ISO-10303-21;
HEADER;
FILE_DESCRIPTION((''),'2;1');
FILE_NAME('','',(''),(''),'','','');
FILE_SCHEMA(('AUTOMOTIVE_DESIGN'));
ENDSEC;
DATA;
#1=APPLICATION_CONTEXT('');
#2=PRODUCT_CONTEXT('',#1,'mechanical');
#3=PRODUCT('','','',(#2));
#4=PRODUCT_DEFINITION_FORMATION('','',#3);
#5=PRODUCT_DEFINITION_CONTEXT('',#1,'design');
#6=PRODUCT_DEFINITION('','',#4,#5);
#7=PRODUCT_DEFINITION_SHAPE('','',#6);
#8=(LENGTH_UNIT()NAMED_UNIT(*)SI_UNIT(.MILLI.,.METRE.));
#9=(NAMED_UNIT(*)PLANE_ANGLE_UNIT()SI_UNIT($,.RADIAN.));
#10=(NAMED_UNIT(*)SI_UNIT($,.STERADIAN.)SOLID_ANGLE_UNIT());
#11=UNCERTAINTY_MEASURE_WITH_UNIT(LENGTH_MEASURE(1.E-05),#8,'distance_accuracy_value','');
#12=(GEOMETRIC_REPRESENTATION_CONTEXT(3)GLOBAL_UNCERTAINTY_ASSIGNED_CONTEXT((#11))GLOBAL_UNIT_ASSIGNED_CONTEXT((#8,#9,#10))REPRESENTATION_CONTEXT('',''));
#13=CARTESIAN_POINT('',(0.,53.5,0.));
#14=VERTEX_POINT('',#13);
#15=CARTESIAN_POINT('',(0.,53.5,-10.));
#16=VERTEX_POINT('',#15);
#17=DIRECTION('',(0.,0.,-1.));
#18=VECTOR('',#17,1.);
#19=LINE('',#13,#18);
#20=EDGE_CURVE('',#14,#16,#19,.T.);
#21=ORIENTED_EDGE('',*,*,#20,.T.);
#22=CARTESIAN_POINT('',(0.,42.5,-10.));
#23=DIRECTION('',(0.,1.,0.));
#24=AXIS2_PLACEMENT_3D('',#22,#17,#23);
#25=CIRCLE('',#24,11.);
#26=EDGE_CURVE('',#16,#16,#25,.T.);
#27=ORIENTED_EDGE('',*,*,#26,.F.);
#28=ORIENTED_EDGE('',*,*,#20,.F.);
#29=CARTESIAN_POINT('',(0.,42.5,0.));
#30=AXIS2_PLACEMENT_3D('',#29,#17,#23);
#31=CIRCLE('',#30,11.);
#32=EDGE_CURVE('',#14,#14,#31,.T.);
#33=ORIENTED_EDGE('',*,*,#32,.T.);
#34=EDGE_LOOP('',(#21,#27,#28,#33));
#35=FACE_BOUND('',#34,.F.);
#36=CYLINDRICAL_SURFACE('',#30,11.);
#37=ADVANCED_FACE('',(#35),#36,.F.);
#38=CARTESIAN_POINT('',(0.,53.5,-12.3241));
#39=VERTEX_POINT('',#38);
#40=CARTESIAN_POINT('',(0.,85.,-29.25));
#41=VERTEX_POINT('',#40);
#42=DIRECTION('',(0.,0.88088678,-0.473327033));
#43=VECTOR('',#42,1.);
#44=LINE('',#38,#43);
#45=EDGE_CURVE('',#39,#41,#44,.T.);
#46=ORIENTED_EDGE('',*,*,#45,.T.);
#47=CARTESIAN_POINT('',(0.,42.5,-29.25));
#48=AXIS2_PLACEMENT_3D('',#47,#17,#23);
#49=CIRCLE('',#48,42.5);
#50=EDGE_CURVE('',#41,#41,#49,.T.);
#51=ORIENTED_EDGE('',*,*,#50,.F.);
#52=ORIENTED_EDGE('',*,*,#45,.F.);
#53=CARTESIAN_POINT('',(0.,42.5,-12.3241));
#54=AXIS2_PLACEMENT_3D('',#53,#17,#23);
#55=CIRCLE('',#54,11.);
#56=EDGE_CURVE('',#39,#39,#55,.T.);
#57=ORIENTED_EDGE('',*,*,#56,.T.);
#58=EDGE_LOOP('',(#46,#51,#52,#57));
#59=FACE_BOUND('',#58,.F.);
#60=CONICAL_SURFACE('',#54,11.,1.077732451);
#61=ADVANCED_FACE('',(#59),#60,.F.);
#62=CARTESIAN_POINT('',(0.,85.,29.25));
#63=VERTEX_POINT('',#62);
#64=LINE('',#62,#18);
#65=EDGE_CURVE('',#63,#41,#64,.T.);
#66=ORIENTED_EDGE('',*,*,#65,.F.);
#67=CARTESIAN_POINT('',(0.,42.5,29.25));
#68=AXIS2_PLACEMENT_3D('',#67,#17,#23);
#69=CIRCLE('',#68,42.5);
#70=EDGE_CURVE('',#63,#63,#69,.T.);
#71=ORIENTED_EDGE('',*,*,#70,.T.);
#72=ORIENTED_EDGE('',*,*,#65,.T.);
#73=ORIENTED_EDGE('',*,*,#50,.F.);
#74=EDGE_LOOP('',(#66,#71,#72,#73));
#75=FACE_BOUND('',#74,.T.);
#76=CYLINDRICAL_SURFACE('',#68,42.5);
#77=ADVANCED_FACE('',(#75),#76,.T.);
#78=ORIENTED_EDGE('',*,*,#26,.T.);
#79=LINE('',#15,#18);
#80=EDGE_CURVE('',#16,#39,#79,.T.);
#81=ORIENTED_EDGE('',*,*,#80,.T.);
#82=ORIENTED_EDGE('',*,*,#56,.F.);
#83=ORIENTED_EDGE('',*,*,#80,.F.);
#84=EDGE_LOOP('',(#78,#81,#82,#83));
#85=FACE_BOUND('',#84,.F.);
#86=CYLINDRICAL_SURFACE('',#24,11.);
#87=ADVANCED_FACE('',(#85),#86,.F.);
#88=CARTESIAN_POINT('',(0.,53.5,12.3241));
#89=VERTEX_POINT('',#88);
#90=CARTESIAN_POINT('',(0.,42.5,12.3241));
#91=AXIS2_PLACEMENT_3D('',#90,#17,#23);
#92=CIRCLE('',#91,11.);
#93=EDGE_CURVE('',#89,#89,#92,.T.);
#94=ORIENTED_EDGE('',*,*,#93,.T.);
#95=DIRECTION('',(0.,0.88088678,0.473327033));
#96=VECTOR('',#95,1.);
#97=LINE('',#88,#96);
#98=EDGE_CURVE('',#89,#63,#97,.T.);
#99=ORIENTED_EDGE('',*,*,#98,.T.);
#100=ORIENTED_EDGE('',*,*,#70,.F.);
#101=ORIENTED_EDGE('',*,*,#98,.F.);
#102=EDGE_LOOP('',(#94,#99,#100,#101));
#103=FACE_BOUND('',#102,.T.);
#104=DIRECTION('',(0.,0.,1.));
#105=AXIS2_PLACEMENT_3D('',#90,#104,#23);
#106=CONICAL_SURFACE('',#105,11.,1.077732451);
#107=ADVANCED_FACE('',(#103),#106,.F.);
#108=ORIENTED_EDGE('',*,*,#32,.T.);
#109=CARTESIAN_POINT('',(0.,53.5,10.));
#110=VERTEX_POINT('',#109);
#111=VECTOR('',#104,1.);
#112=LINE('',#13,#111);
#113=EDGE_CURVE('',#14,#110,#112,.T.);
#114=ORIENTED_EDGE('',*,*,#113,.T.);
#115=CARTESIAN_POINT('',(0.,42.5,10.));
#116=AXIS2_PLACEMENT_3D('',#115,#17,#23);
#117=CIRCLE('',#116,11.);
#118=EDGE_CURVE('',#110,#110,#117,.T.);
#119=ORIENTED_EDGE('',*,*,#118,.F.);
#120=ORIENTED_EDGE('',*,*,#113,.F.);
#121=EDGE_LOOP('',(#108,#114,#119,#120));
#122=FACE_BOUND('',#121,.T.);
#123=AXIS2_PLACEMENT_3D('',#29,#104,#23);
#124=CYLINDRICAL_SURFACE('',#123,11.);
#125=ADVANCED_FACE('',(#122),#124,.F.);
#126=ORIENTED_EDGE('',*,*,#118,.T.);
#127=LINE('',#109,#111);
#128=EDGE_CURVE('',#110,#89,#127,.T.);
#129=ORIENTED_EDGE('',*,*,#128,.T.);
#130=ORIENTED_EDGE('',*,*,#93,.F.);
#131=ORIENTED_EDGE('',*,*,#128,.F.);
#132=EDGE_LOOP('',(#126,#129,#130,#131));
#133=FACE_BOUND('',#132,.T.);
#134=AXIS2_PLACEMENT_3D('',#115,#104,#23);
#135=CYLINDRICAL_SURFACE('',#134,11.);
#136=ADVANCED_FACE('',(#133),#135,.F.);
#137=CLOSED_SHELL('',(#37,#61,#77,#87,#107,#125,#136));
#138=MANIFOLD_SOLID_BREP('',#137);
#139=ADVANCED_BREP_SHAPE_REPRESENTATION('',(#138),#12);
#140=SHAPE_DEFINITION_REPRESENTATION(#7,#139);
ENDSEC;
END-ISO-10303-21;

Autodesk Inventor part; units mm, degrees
ref_plane "YZ Plane" through (0, 0, 0) normal (1, 0, 0) x (0, 1, 0)
ref_plane "XZ Plane" through (0, 0, 0) normal (0, 1, 0) x (-1, 0, 0)
ref_plane "XY Plane" through (0, 0, 0) normal (0, 0, 1) x (1, 0, 0)
sketch "Sketch2" plane through (0, 0, 0) normal (1, 0, 0) x (0, 1, 0)
  line L0 (85, 29.25) -> (85, -29.25)
  line L1 (53.5, 0) -> (53.5, 10)
  line L2 (53.5, 0) -> (53.5, -10)
  line L3 (42.5, 0) -> (42.5, -56.6203)
  line L4 (53.5, 10) -> (53.5, 12.3241)
  line L5 (53.5, 12.3241) -> (85, 29.25)
  line L6 (53.5, -10) -> (53.5, -12.3241)
  line L7 (53.5, -12.3241) -> (85, -29.25)
  point P0 (0, 0)
  dimension "d6" = 11
  dimension "d7" = 10
  dimension "d10" = 2.3241
  dimension "d11" = 2.3241
revolve "Revolution1" add sketch "Sketch2" angle 360 about axis through (0, 42.5, 0) along (0, 0, -1)
properties part number "85mmWheel"
